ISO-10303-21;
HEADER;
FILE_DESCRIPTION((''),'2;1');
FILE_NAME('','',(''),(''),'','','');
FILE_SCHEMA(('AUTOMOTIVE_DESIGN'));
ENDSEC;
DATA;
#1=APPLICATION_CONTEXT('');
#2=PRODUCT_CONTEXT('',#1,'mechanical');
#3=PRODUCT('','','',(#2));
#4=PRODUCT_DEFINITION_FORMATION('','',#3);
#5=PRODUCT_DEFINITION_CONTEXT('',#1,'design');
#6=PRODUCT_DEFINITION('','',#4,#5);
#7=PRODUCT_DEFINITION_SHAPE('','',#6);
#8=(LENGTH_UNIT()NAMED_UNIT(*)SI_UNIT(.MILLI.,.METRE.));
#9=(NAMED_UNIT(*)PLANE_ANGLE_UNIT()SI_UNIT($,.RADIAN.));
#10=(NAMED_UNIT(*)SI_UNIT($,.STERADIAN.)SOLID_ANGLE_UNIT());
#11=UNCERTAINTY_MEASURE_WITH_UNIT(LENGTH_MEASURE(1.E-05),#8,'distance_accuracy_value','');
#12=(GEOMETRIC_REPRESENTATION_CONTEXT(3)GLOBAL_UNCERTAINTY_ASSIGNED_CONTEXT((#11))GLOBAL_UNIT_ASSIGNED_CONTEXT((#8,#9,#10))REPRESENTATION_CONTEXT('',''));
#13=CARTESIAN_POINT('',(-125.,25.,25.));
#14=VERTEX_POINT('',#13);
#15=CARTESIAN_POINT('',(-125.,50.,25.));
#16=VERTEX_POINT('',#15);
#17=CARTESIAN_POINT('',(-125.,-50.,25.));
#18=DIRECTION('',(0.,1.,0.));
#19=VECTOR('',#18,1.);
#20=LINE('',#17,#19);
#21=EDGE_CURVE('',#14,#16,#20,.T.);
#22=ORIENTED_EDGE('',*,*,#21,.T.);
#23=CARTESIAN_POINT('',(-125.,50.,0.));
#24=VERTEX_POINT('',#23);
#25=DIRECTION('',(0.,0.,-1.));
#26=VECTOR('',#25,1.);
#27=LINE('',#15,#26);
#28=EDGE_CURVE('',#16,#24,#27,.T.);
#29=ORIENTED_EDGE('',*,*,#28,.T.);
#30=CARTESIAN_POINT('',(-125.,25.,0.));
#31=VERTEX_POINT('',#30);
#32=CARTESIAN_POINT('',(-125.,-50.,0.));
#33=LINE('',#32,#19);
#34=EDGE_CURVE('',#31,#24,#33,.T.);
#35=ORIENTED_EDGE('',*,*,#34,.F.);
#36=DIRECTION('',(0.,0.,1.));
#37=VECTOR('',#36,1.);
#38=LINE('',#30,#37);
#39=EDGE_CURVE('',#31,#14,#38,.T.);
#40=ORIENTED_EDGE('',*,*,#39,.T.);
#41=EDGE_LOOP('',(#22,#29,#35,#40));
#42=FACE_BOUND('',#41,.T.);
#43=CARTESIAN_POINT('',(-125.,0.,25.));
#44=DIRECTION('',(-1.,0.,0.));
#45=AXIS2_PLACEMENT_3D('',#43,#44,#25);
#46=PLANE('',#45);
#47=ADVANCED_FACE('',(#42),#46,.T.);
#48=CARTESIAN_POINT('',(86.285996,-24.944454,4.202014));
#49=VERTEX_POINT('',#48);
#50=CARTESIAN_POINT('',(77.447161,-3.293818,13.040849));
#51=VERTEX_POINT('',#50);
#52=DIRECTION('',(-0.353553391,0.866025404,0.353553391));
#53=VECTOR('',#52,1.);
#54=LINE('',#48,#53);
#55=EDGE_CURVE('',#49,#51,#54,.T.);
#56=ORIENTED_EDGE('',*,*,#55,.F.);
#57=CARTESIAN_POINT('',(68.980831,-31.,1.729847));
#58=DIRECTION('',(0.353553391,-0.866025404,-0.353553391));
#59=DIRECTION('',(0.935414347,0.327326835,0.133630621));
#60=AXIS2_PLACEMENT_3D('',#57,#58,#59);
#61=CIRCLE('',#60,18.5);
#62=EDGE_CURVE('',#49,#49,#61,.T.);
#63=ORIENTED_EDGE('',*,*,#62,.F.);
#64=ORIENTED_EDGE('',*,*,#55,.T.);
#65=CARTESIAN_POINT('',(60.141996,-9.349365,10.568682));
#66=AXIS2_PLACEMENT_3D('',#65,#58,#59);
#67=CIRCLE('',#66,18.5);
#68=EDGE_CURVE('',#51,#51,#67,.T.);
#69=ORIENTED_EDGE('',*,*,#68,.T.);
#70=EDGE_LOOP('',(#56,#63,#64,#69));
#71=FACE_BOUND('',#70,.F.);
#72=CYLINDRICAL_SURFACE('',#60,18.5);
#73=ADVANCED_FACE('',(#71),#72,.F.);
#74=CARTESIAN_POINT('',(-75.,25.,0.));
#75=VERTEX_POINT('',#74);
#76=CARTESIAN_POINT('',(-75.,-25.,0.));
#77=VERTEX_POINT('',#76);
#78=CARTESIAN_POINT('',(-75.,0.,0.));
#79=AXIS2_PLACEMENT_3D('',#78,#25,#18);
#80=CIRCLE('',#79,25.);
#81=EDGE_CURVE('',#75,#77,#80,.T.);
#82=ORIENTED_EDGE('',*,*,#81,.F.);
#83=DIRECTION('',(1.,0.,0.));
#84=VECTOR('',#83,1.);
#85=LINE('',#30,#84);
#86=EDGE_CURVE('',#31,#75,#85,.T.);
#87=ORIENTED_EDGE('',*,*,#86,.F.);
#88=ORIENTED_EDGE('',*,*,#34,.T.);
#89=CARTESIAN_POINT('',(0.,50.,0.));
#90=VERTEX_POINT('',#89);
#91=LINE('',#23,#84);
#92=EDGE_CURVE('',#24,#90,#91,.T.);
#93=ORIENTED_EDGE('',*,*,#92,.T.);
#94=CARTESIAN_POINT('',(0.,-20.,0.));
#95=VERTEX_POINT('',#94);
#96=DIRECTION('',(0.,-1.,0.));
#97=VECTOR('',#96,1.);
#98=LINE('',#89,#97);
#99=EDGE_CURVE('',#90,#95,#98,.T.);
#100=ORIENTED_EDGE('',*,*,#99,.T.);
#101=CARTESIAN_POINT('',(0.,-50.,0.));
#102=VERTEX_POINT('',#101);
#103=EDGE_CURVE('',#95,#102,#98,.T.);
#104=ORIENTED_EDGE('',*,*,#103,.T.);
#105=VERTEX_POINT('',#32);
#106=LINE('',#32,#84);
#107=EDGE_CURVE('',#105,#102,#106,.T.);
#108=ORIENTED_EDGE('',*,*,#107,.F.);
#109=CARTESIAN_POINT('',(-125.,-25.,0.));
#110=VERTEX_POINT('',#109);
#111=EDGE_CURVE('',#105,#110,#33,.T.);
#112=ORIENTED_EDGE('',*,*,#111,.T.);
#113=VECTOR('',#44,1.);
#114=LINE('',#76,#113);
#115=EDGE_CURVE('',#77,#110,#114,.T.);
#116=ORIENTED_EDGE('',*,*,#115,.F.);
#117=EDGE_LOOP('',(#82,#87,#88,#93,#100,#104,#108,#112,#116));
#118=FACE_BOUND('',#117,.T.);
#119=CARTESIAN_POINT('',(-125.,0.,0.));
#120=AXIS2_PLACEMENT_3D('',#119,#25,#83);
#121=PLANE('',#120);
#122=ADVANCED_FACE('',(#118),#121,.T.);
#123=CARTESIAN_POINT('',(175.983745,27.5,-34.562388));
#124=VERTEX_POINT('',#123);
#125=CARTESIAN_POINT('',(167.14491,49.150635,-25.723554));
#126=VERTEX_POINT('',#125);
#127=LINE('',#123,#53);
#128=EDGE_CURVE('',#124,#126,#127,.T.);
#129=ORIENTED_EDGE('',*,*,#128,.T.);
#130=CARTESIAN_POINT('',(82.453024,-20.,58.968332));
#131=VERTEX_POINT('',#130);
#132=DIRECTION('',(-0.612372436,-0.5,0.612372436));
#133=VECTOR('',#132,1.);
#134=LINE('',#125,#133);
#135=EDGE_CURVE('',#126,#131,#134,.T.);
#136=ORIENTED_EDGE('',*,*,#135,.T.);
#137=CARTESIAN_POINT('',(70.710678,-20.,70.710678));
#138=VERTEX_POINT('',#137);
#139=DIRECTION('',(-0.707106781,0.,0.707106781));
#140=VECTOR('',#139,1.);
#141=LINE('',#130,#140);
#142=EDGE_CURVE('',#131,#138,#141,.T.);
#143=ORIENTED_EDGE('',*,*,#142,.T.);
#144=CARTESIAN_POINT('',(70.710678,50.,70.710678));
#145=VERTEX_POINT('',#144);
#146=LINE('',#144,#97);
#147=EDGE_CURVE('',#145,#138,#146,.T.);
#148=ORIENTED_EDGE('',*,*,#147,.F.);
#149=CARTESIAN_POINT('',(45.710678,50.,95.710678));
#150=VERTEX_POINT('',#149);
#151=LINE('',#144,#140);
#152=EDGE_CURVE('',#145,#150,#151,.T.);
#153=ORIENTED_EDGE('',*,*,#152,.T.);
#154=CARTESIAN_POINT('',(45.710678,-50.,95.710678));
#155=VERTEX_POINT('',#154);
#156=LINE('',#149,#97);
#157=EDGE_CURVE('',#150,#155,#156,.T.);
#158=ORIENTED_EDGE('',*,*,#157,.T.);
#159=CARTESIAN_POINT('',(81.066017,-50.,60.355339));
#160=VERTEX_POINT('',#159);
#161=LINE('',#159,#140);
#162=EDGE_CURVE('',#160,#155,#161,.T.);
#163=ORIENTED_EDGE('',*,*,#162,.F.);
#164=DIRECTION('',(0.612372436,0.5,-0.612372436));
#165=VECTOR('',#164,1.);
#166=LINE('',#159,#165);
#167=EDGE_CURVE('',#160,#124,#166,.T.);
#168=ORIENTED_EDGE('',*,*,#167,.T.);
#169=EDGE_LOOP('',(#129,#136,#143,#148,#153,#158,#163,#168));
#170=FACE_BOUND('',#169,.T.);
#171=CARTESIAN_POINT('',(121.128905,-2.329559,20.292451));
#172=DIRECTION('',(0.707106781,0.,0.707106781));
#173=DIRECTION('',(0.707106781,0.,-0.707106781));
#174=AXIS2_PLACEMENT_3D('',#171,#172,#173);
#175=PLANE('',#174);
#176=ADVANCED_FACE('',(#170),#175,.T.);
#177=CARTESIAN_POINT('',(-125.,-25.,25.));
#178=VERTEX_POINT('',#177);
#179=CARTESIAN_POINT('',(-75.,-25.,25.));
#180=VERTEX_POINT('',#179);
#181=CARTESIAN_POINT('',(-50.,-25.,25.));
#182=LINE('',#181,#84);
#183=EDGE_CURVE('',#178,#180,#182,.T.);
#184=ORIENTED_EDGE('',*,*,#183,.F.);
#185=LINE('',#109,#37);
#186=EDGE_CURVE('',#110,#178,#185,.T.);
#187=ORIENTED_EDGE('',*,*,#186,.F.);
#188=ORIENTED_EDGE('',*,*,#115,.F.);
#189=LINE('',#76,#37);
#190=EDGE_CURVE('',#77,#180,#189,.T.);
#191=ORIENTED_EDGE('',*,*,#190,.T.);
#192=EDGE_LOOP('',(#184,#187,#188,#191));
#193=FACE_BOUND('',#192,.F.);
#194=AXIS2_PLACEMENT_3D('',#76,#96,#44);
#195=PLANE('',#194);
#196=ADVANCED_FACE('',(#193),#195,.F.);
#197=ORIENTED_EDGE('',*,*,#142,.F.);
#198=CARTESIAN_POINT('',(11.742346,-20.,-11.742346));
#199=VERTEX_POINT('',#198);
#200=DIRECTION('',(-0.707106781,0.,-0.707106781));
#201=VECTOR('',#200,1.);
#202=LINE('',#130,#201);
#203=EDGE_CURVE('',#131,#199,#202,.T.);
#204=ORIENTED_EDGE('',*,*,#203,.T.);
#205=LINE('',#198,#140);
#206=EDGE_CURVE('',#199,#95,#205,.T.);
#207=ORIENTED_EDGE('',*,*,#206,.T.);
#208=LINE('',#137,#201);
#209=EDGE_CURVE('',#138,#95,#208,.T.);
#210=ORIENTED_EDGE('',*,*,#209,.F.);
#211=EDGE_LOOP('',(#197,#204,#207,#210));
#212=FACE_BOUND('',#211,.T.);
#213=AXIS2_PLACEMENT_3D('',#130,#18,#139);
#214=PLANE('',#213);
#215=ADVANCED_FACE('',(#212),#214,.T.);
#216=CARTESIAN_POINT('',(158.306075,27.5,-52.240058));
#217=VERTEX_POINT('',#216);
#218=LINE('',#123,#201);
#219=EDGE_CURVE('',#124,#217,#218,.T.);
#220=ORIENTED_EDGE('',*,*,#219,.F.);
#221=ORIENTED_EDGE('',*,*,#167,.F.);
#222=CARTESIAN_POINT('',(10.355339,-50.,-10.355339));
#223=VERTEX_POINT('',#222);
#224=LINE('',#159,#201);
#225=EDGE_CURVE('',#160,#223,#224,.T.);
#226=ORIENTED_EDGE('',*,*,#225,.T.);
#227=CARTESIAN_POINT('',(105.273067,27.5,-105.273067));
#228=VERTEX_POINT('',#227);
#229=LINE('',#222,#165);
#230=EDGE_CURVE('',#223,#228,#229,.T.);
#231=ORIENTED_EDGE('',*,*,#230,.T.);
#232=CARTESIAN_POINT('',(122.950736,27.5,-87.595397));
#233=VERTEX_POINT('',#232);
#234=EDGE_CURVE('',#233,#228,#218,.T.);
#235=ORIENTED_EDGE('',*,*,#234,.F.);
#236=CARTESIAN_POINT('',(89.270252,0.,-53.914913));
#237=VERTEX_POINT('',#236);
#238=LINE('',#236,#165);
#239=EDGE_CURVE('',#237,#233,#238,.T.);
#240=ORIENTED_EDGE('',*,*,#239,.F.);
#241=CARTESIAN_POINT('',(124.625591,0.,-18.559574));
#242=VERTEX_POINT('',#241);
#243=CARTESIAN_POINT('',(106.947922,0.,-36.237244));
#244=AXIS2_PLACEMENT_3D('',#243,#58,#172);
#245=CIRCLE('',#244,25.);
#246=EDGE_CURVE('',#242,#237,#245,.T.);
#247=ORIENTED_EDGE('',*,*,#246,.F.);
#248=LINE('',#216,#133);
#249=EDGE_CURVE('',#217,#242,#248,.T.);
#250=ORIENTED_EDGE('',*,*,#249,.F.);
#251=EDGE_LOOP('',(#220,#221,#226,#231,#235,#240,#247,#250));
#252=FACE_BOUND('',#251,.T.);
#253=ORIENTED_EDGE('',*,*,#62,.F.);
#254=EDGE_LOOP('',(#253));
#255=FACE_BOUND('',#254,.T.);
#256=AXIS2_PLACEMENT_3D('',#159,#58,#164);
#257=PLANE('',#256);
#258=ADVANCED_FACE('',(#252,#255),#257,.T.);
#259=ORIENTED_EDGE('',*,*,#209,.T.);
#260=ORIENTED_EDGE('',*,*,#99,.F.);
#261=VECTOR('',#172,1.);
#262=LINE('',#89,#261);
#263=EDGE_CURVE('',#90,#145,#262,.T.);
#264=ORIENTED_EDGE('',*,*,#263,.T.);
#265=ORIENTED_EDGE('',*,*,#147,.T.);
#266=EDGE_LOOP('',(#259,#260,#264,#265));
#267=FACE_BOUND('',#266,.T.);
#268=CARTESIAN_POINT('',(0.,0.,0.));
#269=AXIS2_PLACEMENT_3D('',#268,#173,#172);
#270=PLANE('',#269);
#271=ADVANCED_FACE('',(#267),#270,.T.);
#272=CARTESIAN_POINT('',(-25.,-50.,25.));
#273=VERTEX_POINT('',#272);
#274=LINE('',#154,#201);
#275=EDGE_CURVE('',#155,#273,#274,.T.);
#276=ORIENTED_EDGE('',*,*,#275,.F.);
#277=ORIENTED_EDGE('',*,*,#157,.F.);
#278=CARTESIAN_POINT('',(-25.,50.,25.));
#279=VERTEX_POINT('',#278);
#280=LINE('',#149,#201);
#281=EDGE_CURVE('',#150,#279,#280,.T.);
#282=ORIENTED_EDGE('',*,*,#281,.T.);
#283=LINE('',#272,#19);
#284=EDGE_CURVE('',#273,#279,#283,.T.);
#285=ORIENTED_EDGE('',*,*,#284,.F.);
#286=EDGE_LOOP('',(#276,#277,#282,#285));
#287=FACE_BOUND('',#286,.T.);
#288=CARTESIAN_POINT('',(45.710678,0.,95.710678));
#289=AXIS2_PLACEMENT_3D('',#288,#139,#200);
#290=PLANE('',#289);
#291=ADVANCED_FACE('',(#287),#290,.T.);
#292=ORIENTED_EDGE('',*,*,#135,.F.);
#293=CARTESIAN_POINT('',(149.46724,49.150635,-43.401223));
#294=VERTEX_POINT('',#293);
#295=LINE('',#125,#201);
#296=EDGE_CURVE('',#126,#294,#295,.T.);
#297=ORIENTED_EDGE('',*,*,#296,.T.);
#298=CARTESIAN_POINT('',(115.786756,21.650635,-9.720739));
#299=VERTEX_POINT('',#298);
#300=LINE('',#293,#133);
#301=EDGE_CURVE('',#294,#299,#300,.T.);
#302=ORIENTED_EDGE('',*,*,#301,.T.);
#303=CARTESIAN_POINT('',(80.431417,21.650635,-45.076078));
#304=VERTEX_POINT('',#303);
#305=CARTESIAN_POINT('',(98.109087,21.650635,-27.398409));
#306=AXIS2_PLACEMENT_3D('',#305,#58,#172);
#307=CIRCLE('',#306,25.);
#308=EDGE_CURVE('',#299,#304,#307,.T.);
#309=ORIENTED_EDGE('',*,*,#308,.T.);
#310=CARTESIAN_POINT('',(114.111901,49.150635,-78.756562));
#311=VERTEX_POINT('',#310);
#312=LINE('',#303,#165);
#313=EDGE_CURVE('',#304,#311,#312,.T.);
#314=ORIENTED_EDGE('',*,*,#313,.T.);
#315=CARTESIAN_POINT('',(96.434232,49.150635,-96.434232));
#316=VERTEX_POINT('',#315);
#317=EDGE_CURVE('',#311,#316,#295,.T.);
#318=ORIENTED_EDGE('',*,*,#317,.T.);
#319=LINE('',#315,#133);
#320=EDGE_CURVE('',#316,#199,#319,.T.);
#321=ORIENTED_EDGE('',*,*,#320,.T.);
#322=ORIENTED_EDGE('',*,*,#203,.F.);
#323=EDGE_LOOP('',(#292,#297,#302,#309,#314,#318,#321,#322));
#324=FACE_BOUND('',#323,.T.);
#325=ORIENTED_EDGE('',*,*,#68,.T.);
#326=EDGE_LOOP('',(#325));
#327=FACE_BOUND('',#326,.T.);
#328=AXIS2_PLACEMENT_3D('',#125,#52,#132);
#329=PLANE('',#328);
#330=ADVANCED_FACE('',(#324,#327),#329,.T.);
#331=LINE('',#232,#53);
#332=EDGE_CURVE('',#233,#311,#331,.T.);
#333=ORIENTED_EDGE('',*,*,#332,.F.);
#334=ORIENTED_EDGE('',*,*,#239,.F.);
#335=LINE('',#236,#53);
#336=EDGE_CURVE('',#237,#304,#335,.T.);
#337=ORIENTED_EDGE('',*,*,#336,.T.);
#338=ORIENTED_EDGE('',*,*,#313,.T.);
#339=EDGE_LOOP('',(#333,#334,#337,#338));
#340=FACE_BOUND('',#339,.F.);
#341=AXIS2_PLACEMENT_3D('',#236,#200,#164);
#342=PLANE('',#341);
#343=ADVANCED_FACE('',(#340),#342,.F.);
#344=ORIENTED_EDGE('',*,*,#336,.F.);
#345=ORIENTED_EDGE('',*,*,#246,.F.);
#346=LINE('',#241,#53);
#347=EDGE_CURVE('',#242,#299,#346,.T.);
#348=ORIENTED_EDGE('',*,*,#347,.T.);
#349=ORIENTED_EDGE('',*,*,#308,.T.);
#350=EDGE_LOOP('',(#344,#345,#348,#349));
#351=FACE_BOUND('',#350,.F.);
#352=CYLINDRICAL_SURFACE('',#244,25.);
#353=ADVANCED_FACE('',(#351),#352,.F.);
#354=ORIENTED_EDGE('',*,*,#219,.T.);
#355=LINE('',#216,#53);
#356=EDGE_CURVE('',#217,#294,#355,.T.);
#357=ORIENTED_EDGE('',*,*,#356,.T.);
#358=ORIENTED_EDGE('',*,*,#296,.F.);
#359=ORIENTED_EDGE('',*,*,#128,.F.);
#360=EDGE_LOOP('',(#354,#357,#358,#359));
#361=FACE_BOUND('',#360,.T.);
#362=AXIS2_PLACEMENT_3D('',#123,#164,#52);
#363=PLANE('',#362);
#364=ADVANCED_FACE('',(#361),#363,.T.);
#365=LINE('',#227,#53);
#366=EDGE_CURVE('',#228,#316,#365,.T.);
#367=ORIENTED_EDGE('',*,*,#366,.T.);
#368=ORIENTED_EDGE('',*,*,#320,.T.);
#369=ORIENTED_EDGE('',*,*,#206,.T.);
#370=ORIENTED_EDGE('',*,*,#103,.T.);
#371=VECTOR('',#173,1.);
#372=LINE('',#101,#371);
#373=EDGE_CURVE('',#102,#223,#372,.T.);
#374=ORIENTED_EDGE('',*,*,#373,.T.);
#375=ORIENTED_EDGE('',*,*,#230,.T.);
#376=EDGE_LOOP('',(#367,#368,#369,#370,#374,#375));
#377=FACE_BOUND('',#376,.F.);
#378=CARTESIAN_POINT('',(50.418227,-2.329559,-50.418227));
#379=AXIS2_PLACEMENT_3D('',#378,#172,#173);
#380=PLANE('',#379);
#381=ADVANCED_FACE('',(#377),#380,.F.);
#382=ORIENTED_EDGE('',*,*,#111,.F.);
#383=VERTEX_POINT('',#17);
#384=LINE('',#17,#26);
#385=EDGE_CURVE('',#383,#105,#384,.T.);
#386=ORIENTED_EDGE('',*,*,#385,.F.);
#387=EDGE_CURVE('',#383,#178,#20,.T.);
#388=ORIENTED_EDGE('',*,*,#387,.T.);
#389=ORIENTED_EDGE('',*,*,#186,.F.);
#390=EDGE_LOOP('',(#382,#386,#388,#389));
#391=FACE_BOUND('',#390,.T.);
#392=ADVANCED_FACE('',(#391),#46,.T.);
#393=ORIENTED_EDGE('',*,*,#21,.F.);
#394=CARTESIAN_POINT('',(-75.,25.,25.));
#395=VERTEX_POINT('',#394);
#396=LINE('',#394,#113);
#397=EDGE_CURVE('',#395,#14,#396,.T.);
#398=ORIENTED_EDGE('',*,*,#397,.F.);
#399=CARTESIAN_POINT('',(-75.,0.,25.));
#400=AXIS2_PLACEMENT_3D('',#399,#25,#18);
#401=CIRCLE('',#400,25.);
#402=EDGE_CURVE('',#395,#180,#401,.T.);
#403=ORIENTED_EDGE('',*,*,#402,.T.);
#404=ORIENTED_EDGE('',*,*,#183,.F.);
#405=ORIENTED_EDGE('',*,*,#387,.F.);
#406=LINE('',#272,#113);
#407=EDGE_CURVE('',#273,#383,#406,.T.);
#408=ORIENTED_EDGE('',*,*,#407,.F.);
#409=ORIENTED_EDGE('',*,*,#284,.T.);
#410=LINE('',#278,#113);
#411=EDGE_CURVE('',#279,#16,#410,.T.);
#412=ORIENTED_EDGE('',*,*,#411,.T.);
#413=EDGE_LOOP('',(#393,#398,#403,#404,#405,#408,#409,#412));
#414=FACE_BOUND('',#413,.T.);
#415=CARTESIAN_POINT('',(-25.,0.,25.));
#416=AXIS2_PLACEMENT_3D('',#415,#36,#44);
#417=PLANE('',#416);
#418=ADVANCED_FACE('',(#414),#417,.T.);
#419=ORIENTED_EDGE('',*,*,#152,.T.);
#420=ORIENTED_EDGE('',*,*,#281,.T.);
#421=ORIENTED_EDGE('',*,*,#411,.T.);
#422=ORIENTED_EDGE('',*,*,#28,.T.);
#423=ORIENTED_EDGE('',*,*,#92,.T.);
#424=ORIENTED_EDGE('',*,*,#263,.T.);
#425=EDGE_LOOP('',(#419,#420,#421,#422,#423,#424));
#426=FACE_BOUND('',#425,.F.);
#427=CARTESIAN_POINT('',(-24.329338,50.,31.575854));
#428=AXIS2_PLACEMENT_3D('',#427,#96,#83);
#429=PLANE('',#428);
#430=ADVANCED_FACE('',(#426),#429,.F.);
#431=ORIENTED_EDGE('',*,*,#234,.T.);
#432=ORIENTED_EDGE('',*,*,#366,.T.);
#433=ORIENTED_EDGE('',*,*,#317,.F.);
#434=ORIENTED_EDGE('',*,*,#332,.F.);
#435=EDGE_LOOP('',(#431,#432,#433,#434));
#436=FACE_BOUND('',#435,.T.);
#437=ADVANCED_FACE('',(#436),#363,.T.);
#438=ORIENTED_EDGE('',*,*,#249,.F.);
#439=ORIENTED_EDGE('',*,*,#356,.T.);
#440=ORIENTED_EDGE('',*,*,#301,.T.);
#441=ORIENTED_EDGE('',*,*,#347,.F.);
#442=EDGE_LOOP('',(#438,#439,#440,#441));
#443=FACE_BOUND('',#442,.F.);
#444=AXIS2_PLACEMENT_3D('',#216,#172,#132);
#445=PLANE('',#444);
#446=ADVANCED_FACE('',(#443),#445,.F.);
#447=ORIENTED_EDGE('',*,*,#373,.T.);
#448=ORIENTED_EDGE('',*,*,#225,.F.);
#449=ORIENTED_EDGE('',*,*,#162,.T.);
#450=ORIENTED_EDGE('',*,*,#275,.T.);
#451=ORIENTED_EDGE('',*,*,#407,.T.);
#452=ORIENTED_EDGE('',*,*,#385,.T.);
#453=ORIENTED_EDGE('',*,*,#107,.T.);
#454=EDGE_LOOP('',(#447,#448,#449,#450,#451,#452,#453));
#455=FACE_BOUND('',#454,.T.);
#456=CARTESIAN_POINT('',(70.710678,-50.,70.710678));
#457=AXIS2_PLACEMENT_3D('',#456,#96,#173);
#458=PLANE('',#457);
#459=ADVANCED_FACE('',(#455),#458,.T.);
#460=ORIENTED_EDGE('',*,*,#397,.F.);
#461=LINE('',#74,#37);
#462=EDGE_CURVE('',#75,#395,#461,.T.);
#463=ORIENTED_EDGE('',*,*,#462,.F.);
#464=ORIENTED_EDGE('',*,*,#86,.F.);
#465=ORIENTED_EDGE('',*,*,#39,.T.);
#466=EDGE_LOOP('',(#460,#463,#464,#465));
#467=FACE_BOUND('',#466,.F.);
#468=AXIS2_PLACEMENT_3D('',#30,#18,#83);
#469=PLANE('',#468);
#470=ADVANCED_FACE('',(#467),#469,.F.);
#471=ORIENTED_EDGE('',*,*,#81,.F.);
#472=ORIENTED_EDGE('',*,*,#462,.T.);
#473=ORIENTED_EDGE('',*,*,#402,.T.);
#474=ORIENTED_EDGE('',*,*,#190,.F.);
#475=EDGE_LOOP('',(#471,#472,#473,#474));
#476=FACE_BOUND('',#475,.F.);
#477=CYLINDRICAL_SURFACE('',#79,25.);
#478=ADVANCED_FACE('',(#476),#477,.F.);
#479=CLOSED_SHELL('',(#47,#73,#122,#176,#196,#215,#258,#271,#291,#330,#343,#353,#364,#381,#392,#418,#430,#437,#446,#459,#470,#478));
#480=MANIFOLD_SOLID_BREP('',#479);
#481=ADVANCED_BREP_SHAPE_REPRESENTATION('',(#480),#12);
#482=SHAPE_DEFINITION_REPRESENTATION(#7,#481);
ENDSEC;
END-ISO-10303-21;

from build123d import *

# Parameters (mm, degrees)
F1_DEPTH = 50
F3_DEPTH = 100
F5_DEPTH = 95.7116781187
F6_R     = 18.5
F7_DEPTH = 25


with BuildPart() as f1:
    # F0 (on Front) → F1 (new body, symmetric)
    with BuildSketch(Plane.XZ):
        Polygon((-125, 0), (0, 0), (70.7106781187, 70.7106781187), (45.7106781187, 95.7106781187), (-25, 25), (-125, 25), align=None)
    extrude(amount=F1_DEPTH, both=True)

    # F2 (on face) → F3 (join, through all)
    with BuildSketch(Plane(origin=(70.7106781187, 0, 70.7106781187), x_dir=(0.7071067812, 0, -0.7071067812), z_dir=(0.7071067812, 0, 0.7071067812))):
        Polygon((0, -20), (0, -50), (14.6446609407, -50), (148.8785985273, 27.5), (136.3785985273, 49.1506350946), (16.6061851677, -20), align=None)
    extrude(amount=-F3_DEPTH)

    # F4 (on face) → F5 (cut, through all)
    with BuildSketch(Plane(origin=(0, 0, 0), x_dir=(1, 0, 0), z_dir=(0, 0, -1))):
        with BuildLine():
            Line((-125, -25), (-75, -25))
            ThreePointArc((-75, -25), (-50, 0), (-75, 25))
            Line((-75, 25), (-125, 25))
            Line((-125, 25), (-125, -25))
        make_face()
    extrude(amount=-F5_DEPTH, mode=Mode.SUBTRACT)

    # F6 (on face) → F7 (cut, through all)
    with BuildSketch(Plane(origin=(17.8981456572, -43.8413242022, -17.8981456572), x_dir=(0.9354143467, 0.3273268354, 0.133630621), z_dir=(0.3535533906, -0.8660254038, -0.3535533906))):
        with BuildLine():
            ThreePointArc((114.0964385861, -17.18282669), (78.8318731679, -14.6509448072), (76.2999912852, -49.9155102254))
            Line((76.2999912855, -49.9155102251), (112.3059431744, -91.4916022561))
            Line((112.3059431744, -91.4916022561), (150.1023904754, -58.7589187207))
            Line((150.1023904754, -58.7589187207), (114.0964385864, -17.1828266897))
        make_face()
        with Locations((54.609687352, 13.3184261958)):
            Circle(F6_R)
    extrude(amount=-F7_DEPTH, mode=Mode.SUBTRACT)


solid = f1.part
